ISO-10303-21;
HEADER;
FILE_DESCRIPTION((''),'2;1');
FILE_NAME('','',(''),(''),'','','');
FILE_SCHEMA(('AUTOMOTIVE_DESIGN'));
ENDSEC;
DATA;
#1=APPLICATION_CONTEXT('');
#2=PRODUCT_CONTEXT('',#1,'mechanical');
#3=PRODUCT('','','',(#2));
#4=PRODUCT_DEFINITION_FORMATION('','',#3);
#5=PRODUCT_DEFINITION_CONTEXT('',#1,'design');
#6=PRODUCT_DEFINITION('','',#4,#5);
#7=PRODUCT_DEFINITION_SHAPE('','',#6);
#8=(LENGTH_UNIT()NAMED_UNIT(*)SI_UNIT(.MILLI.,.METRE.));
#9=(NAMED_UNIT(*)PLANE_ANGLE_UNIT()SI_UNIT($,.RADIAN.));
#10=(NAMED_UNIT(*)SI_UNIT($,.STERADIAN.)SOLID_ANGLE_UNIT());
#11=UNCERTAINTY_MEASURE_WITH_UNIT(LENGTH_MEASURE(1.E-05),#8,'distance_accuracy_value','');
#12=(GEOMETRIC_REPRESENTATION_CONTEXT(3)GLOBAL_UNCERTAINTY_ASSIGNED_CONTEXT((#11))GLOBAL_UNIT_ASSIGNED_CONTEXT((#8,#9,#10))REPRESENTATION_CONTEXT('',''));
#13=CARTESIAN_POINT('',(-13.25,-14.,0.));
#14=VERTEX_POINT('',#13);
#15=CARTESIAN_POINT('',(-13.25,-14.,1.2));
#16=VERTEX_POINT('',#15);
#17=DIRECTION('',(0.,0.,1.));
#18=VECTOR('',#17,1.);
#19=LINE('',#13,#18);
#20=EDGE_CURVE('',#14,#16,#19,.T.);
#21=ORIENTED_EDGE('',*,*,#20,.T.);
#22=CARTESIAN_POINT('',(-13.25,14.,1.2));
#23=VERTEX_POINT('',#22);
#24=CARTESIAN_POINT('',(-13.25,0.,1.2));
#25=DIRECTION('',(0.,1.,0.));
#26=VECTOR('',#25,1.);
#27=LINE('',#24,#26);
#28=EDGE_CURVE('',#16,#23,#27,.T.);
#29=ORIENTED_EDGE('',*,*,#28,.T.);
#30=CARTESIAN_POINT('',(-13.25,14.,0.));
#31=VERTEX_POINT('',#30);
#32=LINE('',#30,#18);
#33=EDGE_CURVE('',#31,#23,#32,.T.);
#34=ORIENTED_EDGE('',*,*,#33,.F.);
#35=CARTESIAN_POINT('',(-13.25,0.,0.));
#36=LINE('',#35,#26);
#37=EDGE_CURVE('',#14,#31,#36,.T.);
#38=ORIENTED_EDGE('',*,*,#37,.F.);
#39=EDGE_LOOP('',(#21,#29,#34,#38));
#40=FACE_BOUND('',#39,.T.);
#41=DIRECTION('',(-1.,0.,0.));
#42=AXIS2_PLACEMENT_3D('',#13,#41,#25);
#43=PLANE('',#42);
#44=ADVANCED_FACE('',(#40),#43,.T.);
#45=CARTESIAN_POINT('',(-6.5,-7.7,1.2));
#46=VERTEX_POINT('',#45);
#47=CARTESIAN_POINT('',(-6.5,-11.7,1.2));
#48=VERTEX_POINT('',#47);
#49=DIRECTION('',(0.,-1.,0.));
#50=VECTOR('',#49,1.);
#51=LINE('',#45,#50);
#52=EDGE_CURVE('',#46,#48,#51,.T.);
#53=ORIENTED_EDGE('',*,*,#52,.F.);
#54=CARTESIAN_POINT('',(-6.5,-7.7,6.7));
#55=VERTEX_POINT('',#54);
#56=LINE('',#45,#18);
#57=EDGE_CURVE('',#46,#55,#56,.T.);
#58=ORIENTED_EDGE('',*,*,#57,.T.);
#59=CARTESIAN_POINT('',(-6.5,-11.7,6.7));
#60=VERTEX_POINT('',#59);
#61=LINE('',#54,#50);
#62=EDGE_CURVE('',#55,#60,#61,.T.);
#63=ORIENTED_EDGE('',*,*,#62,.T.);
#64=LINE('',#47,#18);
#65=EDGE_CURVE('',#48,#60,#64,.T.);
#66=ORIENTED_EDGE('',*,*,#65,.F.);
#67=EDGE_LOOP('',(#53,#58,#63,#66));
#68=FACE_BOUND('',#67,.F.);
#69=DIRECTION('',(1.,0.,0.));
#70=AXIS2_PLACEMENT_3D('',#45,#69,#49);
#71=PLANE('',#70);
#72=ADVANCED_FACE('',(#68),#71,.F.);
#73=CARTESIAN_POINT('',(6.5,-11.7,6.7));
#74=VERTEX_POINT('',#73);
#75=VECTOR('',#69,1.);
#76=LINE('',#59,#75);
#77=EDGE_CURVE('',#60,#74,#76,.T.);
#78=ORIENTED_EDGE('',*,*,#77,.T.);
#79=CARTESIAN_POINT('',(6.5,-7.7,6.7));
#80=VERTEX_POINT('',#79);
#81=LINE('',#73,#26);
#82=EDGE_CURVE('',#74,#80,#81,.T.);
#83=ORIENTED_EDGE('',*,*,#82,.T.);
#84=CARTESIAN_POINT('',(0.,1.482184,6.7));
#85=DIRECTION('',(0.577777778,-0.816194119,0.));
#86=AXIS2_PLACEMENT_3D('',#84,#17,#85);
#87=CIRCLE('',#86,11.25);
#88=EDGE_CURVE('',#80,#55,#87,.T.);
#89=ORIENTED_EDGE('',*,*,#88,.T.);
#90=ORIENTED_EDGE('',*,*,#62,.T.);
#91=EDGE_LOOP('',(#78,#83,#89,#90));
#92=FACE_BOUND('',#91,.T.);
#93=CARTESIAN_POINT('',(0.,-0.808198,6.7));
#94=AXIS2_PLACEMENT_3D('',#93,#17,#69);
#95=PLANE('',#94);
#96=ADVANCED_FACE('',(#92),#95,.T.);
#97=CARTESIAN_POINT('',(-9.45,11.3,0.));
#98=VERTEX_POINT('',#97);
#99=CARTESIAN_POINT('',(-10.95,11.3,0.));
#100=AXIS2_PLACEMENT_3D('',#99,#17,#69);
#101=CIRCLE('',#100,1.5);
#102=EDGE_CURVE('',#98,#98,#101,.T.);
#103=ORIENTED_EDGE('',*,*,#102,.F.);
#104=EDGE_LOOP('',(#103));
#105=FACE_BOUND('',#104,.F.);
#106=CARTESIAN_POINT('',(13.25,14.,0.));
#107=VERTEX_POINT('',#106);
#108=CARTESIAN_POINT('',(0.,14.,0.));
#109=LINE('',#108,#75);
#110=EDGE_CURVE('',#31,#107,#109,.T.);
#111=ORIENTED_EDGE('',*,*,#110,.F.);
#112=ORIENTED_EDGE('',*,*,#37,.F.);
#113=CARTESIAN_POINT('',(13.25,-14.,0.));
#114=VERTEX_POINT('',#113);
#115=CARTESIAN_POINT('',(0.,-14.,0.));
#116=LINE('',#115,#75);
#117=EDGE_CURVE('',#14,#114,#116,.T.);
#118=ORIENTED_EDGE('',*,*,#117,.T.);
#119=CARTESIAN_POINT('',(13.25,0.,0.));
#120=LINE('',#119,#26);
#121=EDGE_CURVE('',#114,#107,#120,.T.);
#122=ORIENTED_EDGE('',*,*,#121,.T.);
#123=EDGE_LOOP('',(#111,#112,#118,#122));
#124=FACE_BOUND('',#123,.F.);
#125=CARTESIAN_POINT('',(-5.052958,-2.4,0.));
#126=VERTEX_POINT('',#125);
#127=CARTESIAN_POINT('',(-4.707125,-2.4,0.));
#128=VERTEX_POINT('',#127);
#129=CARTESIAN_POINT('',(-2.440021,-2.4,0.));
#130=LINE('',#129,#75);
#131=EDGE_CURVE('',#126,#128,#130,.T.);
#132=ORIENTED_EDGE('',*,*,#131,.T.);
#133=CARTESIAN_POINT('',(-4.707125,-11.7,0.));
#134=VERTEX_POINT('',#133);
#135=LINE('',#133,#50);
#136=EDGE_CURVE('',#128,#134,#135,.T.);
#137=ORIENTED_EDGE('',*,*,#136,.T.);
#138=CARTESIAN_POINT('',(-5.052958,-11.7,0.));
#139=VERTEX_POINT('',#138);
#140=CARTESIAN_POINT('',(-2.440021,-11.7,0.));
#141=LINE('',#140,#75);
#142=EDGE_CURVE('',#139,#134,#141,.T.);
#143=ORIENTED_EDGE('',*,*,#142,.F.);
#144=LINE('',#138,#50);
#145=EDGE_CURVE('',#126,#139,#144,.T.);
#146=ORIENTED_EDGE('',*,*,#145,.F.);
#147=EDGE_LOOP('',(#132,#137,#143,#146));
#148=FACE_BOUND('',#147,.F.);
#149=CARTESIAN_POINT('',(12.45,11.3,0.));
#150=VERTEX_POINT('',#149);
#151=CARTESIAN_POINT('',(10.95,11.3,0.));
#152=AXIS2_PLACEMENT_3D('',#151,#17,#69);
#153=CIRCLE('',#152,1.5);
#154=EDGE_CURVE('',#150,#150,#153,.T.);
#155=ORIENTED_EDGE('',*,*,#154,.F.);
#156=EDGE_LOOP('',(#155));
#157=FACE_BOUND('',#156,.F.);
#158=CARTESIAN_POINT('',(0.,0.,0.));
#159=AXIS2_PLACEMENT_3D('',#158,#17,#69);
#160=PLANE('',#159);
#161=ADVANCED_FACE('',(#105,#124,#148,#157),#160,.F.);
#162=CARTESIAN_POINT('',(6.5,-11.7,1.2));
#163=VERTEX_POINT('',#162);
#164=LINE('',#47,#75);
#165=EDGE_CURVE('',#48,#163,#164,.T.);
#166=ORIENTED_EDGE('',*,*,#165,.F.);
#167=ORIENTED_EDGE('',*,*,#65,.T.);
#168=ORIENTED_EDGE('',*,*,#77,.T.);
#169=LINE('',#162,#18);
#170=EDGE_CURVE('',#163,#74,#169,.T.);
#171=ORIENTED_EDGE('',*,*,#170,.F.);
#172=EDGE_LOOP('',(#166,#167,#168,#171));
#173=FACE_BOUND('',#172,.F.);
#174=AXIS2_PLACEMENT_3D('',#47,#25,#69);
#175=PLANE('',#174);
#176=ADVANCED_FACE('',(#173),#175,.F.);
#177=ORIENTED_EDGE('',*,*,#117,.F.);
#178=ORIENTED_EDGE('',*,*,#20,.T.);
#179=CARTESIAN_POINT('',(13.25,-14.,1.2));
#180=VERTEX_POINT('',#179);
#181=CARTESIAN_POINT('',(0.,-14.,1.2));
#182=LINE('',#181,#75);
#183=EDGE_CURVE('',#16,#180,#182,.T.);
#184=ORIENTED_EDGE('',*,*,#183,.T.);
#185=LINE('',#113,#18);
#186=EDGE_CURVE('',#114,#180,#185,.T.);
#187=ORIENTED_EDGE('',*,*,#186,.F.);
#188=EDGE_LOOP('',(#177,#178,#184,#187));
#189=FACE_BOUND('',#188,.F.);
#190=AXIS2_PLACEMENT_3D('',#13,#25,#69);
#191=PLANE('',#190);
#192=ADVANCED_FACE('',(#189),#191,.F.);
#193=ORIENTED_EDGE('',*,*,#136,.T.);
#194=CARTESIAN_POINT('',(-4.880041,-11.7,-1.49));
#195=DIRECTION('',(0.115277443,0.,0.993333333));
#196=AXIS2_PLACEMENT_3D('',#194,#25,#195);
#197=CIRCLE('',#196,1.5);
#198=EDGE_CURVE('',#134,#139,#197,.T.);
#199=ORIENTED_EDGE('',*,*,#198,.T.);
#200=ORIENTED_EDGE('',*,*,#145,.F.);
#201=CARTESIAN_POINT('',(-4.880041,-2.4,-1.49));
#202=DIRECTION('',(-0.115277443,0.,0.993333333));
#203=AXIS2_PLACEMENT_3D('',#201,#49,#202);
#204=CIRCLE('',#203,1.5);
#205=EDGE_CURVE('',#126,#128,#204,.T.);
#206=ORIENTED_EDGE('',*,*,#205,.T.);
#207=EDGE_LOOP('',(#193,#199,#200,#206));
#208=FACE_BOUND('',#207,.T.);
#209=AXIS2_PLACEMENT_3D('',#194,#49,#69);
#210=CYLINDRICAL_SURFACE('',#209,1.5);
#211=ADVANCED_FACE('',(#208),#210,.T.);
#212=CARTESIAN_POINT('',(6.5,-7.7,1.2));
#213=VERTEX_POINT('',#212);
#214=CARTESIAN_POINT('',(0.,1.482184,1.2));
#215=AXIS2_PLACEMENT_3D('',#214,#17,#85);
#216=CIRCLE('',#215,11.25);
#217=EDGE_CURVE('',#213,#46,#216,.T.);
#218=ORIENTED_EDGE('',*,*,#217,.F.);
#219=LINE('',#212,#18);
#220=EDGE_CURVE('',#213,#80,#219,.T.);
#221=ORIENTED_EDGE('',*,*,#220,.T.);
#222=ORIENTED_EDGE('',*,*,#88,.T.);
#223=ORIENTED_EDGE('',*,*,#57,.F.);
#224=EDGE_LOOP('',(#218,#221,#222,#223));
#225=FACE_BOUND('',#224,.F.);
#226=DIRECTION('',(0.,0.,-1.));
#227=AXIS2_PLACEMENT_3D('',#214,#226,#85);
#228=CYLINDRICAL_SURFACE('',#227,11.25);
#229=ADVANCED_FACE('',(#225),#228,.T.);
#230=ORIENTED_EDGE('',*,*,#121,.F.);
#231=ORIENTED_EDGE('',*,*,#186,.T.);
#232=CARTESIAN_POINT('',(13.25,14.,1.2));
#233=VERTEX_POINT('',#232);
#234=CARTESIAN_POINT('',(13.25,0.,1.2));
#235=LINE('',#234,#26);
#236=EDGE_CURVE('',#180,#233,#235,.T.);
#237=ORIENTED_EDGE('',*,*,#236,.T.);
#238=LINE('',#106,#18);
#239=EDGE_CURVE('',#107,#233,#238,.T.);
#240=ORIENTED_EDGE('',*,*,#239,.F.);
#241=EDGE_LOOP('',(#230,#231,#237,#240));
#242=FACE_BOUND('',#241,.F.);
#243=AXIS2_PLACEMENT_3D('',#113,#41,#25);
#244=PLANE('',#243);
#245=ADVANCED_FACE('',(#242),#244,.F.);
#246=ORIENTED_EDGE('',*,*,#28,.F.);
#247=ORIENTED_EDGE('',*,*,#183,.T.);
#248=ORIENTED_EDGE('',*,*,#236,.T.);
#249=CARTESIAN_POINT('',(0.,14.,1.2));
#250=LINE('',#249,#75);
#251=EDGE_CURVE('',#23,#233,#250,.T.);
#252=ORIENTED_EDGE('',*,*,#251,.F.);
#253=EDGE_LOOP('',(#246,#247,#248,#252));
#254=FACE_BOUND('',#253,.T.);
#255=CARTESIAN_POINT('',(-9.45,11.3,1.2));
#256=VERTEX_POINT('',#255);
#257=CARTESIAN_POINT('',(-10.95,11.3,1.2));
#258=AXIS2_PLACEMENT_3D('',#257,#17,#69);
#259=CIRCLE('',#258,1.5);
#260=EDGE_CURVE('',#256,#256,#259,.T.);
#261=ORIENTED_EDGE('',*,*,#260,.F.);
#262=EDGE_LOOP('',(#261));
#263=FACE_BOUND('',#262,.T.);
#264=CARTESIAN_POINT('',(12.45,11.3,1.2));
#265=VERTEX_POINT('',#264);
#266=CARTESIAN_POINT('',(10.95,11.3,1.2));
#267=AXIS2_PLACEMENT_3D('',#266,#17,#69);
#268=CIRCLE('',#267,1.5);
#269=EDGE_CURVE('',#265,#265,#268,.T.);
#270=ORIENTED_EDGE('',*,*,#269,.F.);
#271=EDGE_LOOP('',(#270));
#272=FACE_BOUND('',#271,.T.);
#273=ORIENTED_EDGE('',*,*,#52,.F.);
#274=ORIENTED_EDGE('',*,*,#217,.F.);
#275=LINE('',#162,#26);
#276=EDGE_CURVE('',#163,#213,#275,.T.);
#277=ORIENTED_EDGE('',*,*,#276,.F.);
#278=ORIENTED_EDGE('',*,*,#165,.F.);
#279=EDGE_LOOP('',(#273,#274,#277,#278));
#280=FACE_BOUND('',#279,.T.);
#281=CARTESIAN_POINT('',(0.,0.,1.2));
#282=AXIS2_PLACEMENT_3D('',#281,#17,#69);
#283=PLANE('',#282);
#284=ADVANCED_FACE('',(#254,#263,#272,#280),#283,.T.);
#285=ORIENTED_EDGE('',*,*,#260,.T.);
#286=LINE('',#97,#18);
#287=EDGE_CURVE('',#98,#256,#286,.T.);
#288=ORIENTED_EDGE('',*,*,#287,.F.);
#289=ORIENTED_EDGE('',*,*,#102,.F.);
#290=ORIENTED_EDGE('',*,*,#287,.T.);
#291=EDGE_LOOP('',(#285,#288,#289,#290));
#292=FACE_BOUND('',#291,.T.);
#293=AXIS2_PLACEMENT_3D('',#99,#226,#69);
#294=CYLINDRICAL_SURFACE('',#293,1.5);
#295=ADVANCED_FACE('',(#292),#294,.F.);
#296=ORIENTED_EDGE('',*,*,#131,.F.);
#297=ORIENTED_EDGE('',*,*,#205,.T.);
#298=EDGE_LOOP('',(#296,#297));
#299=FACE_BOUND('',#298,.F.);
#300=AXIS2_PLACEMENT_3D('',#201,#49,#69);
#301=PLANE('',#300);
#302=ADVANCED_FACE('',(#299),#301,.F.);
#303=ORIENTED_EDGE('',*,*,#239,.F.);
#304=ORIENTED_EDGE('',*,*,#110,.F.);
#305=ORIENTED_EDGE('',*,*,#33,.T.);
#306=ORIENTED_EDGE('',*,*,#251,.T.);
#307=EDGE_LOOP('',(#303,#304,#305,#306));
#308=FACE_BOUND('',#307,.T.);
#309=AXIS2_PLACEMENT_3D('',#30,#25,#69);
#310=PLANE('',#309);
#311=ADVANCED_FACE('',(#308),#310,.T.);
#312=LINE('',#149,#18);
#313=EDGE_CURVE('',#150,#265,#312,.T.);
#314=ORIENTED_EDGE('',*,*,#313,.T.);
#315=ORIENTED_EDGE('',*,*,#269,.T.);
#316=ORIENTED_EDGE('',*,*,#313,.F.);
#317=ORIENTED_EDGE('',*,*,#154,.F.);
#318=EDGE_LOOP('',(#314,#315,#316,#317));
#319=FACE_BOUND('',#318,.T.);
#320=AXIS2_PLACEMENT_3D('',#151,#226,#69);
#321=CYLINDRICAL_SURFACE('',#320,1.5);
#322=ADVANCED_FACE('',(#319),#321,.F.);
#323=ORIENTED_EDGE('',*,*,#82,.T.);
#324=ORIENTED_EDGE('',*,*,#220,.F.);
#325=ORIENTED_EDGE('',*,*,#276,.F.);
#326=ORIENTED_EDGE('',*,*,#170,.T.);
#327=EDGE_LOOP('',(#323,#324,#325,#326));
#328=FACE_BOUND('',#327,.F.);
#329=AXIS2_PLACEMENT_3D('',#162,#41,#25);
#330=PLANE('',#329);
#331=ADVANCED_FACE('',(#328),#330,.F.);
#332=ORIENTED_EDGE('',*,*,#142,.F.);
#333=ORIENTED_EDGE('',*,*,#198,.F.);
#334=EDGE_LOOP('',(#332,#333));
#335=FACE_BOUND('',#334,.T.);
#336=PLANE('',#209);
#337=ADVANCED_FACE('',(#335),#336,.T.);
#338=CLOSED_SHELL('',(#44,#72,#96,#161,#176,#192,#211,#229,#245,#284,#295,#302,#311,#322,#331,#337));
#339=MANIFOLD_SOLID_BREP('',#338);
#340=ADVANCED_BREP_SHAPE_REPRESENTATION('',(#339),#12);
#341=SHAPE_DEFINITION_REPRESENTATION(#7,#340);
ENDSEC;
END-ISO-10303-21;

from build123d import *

# Parameters (mm, degrees)
F0_W     = 26.5
F0_H     = 28
F0_R     = 1.5
F1_DEPTH = 1.2
F3_DEPTH = 5.5
F4_R     = 1.5
F5_DEPTH = 9.3


with BuildPart() as f1:
    # F0 (on Top) → F1 (new body)
    with BuildSketch(Plane.XY):
        Rectangle(F0_W, F0_H)
        with Locations((-10.95, 11.3)):
            Circle(F0_R, mode=Mode.SUBTRACT)
        with Locations((10.95, 11.3)):
            Circle(F0_R, mode=Mode.SUBTRACT)
    extrude(amount=F1_DEPTH)

    # F2 (on face) → F3 (join)
    with BuildSketch(Plane.XY.offset(1.2)):
        with BuildLine():
            Line((6.5, -11.7), (6.5, -7.7))
            ThreePointArc((6.5, -7.7), (0, 12.7321838361), (-6.5, -7.7))
            Line((-6.5, -7.7), (-6.5, -11.7))
            Line((-6.5, -11.7), (6.5, -11.7))
        make_face()
    extrude(amount=F3_DEPTH)

    # F4 (on face) → F5 (join)
    with BuildSketch(Plane.XZ.offset(11.7)):
        with Locations((-4.8800413497, -1.49)):
            Circle(F4_R)
    extrude(amount=-F5_DEPTH)


solid = f1.part
